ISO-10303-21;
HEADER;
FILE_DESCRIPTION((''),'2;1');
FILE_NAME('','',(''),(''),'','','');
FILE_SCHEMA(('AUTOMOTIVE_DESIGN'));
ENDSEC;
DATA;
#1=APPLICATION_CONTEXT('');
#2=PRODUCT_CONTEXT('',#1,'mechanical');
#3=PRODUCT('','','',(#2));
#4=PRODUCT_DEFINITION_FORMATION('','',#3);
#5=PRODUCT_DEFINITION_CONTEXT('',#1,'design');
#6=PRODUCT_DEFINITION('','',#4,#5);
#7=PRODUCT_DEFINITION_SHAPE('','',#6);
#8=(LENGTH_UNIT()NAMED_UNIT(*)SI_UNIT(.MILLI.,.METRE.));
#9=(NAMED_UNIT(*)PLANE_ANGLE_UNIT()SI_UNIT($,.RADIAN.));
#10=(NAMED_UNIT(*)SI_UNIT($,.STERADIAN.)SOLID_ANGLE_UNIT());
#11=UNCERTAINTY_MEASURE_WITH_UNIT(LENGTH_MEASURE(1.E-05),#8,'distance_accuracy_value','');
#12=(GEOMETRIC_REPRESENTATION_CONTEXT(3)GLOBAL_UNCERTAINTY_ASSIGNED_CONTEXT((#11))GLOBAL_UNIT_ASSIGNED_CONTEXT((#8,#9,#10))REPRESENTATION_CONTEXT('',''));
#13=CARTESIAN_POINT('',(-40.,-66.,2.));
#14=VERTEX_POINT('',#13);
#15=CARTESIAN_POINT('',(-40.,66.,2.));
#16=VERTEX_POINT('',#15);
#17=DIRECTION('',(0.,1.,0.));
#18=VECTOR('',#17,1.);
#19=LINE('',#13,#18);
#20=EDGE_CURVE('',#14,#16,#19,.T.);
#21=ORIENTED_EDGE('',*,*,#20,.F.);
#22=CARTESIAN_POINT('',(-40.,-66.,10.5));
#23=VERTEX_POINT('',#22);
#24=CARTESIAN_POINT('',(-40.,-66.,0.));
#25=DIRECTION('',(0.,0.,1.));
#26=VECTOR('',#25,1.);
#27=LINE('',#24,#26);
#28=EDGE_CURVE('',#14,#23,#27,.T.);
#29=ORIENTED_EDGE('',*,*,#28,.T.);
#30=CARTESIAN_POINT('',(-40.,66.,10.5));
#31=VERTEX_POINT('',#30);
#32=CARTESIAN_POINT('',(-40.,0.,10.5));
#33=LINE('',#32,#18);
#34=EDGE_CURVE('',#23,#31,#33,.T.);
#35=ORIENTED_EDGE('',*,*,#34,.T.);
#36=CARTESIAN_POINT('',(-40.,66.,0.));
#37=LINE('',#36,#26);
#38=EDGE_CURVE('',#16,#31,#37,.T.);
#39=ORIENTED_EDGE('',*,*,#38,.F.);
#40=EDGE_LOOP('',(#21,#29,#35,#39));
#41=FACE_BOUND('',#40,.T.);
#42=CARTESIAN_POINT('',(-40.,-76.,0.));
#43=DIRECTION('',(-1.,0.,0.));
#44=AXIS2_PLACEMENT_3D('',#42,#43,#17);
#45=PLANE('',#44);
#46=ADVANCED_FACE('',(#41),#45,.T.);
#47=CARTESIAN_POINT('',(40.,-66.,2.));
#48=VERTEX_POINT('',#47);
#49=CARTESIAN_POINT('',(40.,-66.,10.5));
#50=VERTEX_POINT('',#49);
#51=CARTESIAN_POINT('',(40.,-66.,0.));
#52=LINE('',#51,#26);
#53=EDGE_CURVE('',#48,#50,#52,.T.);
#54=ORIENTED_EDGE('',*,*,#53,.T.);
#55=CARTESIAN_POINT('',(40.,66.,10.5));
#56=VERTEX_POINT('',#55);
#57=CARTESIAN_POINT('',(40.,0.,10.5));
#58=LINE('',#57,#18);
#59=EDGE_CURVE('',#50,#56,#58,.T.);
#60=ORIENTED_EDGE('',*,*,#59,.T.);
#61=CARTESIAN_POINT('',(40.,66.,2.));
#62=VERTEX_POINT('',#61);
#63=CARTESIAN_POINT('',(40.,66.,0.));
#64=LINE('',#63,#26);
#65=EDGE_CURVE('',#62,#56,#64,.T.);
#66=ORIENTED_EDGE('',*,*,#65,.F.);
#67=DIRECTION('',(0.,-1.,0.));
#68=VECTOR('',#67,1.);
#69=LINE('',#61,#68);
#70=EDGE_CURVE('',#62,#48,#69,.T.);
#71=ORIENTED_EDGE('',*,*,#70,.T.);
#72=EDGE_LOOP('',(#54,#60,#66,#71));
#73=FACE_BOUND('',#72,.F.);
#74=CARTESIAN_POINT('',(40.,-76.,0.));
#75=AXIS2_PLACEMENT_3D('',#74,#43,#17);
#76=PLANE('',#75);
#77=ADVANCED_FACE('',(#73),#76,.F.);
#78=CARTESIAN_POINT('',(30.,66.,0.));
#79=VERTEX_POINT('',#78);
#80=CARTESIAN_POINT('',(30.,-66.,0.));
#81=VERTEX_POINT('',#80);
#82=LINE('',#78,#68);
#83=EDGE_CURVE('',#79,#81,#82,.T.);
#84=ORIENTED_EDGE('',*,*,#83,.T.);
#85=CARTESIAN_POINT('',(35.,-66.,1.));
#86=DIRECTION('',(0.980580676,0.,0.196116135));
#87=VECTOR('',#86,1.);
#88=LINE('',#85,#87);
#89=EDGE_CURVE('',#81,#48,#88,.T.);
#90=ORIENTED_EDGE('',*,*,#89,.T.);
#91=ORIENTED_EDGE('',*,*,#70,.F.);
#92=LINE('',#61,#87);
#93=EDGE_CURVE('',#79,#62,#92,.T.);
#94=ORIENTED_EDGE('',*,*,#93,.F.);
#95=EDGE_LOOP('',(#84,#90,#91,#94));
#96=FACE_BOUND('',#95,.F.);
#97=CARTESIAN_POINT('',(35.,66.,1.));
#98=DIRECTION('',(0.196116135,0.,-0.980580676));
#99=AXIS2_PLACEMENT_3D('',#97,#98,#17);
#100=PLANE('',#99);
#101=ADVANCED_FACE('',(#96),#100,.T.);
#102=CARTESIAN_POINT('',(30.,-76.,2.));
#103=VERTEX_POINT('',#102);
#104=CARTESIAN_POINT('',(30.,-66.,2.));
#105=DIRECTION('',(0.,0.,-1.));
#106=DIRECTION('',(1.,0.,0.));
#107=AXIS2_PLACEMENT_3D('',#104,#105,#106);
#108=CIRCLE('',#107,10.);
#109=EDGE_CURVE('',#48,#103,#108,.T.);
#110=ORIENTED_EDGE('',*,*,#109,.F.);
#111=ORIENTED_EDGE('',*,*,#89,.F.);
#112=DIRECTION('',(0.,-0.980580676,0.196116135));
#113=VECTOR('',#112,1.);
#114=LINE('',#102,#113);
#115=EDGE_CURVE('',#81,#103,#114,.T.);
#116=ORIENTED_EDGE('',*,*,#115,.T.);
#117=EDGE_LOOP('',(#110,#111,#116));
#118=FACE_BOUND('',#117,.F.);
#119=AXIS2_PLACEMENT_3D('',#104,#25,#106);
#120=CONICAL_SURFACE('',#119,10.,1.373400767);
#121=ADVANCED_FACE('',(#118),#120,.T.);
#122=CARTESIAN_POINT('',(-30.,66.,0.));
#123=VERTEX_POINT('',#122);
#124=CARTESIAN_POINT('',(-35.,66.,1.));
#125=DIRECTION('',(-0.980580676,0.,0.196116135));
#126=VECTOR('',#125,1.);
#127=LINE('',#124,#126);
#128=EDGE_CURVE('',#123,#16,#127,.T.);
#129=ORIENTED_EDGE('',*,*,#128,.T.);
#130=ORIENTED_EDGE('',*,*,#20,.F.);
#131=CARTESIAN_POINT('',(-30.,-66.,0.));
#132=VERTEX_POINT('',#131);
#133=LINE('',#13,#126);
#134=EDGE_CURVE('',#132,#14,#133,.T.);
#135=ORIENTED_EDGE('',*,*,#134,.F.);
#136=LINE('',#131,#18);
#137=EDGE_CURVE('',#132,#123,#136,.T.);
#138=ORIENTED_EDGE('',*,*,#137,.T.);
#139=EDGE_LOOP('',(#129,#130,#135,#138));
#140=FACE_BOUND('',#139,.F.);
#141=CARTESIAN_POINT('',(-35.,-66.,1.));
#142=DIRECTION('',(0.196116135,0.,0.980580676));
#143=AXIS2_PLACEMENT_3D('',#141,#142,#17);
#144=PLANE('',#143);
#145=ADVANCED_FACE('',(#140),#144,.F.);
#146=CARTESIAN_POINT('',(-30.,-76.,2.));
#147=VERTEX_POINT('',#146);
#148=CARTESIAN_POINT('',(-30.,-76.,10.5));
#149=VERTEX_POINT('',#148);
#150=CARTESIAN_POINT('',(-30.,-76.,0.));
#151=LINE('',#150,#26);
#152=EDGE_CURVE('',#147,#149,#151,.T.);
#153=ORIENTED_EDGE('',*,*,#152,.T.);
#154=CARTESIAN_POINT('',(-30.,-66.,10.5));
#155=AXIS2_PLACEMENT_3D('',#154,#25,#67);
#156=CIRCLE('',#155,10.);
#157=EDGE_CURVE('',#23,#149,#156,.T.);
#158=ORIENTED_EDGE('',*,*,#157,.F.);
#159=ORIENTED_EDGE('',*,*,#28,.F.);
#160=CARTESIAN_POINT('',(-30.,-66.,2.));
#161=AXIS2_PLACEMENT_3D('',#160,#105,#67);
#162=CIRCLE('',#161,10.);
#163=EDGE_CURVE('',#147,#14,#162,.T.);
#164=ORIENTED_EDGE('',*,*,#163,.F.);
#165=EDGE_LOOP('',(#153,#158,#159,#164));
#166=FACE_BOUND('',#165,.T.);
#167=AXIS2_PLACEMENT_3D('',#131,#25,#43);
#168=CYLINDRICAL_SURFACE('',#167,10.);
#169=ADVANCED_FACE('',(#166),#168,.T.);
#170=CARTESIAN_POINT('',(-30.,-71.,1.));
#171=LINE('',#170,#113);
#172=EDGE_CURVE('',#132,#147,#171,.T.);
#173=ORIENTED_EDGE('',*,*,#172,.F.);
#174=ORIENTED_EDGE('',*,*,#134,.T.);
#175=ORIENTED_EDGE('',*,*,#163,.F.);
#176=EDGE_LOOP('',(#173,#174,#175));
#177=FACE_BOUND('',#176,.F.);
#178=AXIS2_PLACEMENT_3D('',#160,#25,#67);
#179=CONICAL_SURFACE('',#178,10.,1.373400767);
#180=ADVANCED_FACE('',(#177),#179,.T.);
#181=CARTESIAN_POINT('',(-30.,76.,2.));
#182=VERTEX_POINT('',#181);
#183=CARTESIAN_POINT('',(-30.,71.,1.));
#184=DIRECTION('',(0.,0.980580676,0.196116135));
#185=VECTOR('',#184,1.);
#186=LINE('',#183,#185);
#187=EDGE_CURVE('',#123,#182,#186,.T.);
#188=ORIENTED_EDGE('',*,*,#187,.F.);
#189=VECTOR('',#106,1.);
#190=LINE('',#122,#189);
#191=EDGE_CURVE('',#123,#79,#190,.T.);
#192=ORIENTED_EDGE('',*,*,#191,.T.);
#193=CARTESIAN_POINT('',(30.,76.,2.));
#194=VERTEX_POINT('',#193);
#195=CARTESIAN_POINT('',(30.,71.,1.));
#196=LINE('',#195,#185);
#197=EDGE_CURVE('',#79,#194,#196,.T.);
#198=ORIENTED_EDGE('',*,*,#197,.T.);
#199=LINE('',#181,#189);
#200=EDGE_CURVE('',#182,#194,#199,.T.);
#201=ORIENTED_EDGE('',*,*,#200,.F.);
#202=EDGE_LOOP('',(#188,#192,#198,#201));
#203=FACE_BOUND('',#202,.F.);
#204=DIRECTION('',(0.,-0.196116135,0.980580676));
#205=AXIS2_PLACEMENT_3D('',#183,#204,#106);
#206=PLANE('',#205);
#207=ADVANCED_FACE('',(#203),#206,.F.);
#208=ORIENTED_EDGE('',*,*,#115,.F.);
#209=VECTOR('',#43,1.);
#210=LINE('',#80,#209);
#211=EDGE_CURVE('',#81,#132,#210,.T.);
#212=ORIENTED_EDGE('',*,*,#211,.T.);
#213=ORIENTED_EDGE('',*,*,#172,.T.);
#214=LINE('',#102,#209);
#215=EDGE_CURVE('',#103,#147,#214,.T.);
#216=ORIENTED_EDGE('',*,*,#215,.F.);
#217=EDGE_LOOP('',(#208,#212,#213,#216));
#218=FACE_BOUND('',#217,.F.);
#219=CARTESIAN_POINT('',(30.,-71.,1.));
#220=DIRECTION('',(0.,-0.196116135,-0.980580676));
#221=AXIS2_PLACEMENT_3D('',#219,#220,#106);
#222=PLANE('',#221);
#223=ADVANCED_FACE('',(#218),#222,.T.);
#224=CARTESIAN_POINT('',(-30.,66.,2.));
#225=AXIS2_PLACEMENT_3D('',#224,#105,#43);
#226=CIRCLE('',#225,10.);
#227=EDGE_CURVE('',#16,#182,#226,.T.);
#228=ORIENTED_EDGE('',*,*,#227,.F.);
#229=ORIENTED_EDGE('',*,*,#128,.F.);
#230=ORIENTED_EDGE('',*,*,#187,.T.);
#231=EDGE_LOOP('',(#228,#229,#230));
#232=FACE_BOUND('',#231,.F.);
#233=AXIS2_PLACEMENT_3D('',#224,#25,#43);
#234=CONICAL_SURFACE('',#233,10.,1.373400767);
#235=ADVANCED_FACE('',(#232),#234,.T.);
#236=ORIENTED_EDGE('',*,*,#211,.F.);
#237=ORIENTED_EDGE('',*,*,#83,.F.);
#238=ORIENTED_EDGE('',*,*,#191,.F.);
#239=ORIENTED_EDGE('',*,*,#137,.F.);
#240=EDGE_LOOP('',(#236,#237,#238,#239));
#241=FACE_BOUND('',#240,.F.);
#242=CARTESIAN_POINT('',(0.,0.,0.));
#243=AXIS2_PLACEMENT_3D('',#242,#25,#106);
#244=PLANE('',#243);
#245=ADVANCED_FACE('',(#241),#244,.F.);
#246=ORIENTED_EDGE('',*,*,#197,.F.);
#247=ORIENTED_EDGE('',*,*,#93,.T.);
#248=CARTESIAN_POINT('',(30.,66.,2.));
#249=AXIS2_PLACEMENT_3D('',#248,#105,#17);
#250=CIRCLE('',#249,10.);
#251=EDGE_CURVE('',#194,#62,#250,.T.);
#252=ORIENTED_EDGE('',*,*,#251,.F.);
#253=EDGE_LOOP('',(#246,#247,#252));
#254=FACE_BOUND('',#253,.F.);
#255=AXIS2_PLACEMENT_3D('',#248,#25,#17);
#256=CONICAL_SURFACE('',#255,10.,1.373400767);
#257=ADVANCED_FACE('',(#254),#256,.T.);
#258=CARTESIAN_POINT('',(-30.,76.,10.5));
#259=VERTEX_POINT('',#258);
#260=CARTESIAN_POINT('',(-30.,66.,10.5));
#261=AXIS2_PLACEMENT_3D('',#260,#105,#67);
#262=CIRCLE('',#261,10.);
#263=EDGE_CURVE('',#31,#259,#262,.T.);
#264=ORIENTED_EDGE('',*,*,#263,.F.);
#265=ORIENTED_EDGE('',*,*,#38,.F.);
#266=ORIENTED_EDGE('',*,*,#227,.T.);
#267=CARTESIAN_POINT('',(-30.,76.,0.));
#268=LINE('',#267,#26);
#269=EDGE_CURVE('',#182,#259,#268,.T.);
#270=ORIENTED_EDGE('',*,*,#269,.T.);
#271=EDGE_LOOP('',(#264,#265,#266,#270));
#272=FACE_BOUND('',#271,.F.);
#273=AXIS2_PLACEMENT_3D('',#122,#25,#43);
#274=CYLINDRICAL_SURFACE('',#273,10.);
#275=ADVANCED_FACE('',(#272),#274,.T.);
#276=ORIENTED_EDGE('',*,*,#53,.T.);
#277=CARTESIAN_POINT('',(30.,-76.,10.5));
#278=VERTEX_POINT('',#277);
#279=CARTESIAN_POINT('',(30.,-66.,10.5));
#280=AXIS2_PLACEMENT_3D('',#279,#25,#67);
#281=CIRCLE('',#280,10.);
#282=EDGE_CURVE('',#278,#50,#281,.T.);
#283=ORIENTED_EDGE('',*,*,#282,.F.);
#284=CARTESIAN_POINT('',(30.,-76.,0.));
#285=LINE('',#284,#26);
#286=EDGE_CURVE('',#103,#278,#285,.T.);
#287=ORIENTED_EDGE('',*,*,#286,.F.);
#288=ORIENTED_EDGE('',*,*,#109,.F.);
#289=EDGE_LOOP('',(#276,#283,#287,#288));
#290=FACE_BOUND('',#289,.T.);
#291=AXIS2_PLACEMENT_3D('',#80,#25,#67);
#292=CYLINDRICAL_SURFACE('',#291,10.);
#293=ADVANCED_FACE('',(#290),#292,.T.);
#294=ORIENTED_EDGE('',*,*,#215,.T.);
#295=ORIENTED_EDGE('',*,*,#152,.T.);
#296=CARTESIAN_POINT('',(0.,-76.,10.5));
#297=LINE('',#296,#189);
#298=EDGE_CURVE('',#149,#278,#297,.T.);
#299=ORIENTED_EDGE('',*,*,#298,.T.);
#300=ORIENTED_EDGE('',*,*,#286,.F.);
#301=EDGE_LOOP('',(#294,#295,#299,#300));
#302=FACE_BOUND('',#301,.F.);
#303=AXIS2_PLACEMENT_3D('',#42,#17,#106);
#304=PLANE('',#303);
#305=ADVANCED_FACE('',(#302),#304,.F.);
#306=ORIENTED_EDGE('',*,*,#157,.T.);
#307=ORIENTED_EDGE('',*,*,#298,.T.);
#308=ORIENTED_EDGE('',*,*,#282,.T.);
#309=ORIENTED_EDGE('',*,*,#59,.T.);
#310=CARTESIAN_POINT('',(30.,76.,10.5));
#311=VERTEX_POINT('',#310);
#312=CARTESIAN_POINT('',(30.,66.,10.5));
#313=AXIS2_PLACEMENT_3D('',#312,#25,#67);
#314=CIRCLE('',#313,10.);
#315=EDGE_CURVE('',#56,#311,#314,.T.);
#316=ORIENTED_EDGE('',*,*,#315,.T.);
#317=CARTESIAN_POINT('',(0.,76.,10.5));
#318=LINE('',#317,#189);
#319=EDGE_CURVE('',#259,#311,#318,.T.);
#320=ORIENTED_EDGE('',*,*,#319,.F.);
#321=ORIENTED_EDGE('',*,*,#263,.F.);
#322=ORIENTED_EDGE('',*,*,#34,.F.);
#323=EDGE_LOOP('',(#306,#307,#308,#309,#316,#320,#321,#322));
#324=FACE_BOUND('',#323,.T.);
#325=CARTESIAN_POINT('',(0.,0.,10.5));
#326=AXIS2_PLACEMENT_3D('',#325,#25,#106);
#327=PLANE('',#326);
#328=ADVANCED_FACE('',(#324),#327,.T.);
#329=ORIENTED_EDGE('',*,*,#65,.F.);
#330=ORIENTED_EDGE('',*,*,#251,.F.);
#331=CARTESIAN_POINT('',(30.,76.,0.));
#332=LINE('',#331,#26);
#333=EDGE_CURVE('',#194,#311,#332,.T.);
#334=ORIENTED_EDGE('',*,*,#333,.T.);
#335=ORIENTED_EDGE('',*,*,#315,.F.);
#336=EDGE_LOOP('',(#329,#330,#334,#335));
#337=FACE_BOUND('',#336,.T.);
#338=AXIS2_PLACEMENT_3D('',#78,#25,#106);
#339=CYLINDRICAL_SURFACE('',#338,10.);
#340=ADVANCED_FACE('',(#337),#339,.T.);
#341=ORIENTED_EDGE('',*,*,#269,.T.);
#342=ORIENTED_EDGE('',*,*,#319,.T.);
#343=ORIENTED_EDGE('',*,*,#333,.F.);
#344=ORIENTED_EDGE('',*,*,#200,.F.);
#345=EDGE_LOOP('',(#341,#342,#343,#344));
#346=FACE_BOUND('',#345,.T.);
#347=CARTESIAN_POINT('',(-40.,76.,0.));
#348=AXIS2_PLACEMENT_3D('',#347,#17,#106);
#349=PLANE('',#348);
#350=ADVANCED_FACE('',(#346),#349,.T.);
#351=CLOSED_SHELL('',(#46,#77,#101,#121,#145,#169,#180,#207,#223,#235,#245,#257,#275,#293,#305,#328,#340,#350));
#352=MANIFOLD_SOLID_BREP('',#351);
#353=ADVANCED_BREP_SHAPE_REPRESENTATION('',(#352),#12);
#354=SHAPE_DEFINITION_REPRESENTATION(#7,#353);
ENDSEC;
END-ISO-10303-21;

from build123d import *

# Parameters (mm, degrees)
F0_W     = 80
F0_H     = 152
F1_DEPTH = 10.5
F2_R     = 10
F3_SIZE2 = 2
F3_SIZE  = 10


with BuildPart() as f1:
    # F0 (on Top) → F1 (new body)
    with BuildSketch(Plane.XY):
        Rectangle(F0_W, F0_H)
    extrude(amount=F1_DEPTH)

    # F2
    f2_edges = [f1.edges().sort_by_distance(p)[0] for p in [
        (-40, 76, 5.25),
        (40, 76, 5.25),
        (40, -76, 5.25),
        (-40, -76, 5.25),
    ]]
    fillet(f2_edges, radius=F2_R)

    # F3
    f3_edges = [f1.edges().sort_by_distance(p)[0] for p in [
        (0, 76, 0),
    ]]
    chamfer(f3_edges, length=F3_SIZE, length2=F3_SIZE2)


solid = f1.part
